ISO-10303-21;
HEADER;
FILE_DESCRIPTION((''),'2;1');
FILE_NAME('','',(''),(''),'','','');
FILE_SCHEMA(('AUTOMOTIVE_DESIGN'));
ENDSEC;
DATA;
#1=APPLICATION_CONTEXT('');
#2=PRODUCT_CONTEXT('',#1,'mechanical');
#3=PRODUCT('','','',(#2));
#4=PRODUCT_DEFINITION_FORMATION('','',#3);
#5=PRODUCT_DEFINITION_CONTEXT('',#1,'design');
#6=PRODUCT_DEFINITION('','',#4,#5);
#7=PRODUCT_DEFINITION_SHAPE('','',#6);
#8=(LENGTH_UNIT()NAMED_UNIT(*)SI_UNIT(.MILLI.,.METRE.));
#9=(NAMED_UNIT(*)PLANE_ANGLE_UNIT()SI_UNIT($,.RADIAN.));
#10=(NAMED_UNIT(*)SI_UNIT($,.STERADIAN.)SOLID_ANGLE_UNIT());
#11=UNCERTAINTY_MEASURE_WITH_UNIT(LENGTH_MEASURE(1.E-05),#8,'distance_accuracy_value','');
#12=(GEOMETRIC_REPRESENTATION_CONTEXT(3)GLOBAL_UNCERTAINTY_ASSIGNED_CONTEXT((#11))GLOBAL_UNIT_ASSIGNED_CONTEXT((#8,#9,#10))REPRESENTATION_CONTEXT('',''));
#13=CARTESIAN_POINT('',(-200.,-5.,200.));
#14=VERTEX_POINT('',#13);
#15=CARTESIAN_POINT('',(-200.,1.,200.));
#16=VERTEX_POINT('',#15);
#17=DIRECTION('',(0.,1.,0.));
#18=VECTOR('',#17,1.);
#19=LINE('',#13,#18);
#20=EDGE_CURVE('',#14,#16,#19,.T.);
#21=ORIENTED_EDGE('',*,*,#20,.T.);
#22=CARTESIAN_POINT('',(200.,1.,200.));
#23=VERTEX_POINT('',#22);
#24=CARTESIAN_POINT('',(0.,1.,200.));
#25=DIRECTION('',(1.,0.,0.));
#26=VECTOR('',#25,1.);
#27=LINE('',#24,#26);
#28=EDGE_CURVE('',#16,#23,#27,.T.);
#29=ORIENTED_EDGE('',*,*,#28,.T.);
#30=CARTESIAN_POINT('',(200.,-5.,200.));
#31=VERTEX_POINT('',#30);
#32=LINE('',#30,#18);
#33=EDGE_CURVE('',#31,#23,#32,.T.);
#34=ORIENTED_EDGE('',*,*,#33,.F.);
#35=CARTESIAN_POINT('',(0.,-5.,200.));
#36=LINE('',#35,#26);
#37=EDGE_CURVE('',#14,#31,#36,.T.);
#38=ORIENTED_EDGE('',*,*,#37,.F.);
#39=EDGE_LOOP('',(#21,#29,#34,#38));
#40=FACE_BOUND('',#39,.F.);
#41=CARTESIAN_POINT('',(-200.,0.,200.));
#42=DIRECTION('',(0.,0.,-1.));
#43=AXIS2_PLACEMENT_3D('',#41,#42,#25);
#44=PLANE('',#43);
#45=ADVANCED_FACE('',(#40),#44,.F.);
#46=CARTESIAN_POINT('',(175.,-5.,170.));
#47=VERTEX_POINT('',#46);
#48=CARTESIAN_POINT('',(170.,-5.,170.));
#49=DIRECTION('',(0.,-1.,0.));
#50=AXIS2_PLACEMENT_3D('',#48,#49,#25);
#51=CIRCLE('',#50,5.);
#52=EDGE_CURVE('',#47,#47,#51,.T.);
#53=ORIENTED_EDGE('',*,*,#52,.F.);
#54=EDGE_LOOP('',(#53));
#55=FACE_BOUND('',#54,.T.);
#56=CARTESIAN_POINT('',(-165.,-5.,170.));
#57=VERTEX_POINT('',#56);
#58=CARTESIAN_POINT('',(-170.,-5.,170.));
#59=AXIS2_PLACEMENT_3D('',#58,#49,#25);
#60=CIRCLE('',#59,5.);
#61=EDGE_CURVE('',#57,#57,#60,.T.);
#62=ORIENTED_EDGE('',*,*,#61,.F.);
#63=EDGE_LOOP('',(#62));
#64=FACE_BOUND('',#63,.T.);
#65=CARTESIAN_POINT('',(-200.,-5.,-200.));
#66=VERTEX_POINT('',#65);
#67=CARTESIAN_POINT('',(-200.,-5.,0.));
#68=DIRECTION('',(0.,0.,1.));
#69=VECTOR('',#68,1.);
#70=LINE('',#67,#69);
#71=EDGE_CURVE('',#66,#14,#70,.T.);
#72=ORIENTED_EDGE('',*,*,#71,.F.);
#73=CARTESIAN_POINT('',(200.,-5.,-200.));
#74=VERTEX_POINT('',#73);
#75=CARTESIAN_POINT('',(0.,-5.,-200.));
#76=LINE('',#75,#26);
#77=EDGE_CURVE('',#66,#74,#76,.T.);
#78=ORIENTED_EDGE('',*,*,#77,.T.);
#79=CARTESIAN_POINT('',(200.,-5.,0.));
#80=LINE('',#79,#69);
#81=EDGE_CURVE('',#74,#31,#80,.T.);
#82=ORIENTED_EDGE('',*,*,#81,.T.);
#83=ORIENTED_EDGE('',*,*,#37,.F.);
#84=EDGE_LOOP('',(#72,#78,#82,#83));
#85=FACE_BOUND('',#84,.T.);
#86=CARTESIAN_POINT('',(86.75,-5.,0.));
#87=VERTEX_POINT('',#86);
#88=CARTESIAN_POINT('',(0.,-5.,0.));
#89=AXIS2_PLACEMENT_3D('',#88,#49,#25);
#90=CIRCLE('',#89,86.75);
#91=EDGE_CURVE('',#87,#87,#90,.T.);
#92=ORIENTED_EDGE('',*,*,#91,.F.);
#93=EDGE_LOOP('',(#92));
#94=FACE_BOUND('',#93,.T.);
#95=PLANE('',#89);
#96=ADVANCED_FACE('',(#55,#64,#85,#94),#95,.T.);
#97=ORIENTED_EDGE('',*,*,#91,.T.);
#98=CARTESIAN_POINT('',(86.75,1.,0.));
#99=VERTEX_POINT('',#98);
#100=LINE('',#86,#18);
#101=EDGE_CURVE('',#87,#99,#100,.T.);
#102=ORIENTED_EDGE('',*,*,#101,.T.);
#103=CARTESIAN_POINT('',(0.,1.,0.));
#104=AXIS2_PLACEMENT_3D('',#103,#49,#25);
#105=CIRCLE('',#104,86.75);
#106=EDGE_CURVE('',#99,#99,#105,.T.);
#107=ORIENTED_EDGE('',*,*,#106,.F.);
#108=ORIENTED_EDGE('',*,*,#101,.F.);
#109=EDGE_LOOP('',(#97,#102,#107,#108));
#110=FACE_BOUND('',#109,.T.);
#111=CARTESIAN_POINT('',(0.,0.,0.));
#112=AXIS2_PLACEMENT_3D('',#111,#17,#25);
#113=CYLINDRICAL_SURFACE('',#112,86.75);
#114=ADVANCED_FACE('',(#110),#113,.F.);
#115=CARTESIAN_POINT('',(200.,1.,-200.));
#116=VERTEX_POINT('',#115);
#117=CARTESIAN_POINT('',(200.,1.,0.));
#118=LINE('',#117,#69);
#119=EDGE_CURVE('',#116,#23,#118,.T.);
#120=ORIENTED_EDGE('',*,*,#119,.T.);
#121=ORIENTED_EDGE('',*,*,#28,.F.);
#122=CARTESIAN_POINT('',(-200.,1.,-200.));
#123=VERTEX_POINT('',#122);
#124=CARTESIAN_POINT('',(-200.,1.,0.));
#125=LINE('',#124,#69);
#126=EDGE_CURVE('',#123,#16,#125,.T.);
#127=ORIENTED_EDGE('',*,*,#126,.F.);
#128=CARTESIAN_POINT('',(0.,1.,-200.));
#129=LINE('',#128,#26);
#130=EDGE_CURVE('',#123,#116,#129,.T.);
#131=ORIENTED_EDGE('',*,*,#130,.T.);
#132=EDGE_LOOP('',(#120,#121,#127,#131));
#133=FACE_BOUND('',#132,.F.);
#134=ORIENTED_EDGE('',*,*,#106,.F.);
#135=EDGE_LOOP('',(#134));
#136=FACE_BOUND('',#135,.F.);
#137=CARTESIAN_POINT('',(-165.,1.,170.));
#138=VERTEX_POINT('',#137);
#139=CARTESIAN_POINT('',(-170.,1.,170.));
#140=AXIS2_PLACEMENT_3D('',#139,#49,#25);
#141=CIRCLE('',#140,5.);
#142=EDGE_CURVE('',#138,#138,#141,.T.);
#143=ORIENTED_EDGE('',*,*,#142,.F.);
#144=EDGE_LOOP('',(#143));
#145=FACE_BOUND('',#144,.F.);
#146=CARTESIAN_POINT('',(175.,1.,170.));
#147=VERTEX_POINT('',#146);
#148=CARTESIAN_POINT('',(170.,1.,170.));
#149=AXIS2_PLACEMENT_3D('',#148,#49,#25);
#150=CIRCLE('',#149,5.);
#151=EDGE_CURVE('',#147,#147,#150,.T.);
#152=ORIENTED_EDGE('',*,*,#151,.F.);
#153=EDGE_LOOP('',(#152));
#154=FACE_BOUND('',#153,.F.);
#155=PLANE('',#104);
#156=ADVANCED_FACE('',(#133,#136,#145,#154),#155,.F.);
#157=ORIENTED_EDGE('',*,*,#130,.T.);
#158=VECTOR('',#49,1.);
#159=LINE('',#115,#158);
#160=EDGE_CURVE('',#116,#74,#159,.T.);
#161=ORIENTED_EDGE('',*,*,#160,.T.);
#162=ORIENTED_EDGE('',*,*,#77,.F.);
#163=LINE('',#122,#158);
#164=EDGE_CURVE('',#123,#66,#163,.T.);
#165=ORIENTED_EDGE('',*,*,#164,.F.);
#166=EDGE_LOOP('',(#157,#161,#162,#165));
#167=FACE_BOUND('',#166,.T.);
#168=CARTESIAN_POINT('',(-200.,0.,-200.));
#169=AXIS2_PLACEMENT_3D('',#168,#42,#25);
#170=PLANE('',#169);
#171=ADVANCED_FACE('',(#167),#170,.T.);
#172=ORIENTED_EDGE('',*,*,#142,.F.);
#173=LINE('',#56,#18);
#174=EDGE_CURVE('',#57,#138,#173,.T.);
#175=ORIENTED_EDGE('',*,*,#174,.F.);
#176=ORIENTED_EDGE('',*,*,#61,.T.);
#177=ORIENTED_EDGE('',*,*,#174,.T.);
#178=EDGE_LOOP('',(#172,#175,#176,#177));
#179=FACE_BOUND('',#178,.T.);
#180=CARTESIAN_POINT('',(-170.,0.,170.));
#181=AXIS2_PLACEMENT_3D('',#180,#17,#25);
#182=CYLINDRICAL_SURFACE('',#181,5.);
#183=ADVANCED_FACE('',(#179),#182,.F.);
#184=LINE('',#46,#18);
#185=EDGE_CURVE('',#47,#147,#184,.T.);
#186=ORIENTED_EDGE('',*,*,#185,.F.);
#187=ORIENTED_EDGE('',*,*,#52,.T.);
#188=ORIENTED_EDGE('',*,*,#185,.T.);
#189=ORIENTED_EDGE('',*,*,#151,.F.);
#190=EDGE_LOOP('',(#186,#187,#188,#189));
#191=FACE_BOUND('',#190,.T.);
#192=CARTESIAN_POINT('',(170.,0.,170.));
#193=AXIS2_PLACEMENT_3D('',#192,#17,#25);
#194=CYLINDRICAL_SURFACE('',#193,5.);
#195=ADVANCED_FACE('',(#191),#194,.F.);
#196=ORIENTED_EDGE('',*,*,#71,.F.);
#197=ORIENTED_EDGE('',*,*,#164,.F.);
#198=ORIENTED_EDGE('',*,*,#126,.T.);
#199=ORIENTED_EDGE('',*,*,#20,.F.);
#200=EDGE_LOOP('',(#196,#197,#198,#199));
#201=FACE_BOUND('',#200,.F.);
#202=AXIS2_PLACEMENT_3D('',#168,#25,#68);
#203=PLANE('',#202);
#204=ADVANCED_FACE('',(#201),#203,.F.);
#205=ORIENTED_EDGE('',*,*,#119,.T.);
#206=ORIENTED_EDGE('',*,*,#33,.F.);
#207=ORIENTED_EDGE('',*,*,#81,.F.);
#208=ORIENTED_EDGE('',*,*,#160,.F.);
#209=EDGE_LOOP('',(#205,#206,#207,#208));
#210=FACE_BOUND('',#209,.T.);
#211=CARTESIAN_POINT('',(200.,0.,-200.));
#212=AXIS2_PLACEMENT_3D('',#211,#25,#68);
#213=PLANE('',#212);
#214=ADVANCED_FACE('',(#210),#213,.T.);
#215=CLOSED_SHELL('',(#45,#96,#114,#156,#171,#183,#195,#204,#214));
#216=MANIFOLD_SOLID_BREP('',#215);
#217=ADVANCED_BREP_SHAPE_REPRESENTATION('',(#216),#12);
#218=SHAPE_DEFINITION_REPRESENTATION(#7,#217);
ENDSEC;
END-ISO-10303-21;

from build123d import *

# Parameters (mm, degrees)
F0_W     = 400
F0_H     = 400
F0_R     = 5
F0_R_2   = 86.75
F1_DEPTH = 1
F2_DEPTH = 5


with BuildPart() as f1:
    # F0 (on Front) → F1 (new body, symmetric)
    with BuildSketch(Plane.XZ):
        Rectangle(F0_W, F0_H)
        with Locations((-170, 170)):
            Circle(F0_R, mode=Mode.SUBTRACT)
        Circle(F0_R_2, mode=Mode.SUBTRACT)
        with Locations((170, 170)):
            Circle(F0_R, mode=Mode.SUBTRACT)
    extrude(amount=F1_DEPTH, both=True)

    # F0 (on Front) → F2 (join)
    with BuildSketch(Plane.XZ):
        Rectangle(F0_W, F0_H)
        with Locations((-170, 170)):
            Circle(F0_R, mode=Mode.SUBTRACT)
        Circle(F0_R_2, mode=Mode.SUBTRACT)
        with Locations((170, 170)):
            Circle(F0_R, mode=Mode.SUBTRACT)
    extrude(amount=F2_DEPTH)


solid = f1.part
